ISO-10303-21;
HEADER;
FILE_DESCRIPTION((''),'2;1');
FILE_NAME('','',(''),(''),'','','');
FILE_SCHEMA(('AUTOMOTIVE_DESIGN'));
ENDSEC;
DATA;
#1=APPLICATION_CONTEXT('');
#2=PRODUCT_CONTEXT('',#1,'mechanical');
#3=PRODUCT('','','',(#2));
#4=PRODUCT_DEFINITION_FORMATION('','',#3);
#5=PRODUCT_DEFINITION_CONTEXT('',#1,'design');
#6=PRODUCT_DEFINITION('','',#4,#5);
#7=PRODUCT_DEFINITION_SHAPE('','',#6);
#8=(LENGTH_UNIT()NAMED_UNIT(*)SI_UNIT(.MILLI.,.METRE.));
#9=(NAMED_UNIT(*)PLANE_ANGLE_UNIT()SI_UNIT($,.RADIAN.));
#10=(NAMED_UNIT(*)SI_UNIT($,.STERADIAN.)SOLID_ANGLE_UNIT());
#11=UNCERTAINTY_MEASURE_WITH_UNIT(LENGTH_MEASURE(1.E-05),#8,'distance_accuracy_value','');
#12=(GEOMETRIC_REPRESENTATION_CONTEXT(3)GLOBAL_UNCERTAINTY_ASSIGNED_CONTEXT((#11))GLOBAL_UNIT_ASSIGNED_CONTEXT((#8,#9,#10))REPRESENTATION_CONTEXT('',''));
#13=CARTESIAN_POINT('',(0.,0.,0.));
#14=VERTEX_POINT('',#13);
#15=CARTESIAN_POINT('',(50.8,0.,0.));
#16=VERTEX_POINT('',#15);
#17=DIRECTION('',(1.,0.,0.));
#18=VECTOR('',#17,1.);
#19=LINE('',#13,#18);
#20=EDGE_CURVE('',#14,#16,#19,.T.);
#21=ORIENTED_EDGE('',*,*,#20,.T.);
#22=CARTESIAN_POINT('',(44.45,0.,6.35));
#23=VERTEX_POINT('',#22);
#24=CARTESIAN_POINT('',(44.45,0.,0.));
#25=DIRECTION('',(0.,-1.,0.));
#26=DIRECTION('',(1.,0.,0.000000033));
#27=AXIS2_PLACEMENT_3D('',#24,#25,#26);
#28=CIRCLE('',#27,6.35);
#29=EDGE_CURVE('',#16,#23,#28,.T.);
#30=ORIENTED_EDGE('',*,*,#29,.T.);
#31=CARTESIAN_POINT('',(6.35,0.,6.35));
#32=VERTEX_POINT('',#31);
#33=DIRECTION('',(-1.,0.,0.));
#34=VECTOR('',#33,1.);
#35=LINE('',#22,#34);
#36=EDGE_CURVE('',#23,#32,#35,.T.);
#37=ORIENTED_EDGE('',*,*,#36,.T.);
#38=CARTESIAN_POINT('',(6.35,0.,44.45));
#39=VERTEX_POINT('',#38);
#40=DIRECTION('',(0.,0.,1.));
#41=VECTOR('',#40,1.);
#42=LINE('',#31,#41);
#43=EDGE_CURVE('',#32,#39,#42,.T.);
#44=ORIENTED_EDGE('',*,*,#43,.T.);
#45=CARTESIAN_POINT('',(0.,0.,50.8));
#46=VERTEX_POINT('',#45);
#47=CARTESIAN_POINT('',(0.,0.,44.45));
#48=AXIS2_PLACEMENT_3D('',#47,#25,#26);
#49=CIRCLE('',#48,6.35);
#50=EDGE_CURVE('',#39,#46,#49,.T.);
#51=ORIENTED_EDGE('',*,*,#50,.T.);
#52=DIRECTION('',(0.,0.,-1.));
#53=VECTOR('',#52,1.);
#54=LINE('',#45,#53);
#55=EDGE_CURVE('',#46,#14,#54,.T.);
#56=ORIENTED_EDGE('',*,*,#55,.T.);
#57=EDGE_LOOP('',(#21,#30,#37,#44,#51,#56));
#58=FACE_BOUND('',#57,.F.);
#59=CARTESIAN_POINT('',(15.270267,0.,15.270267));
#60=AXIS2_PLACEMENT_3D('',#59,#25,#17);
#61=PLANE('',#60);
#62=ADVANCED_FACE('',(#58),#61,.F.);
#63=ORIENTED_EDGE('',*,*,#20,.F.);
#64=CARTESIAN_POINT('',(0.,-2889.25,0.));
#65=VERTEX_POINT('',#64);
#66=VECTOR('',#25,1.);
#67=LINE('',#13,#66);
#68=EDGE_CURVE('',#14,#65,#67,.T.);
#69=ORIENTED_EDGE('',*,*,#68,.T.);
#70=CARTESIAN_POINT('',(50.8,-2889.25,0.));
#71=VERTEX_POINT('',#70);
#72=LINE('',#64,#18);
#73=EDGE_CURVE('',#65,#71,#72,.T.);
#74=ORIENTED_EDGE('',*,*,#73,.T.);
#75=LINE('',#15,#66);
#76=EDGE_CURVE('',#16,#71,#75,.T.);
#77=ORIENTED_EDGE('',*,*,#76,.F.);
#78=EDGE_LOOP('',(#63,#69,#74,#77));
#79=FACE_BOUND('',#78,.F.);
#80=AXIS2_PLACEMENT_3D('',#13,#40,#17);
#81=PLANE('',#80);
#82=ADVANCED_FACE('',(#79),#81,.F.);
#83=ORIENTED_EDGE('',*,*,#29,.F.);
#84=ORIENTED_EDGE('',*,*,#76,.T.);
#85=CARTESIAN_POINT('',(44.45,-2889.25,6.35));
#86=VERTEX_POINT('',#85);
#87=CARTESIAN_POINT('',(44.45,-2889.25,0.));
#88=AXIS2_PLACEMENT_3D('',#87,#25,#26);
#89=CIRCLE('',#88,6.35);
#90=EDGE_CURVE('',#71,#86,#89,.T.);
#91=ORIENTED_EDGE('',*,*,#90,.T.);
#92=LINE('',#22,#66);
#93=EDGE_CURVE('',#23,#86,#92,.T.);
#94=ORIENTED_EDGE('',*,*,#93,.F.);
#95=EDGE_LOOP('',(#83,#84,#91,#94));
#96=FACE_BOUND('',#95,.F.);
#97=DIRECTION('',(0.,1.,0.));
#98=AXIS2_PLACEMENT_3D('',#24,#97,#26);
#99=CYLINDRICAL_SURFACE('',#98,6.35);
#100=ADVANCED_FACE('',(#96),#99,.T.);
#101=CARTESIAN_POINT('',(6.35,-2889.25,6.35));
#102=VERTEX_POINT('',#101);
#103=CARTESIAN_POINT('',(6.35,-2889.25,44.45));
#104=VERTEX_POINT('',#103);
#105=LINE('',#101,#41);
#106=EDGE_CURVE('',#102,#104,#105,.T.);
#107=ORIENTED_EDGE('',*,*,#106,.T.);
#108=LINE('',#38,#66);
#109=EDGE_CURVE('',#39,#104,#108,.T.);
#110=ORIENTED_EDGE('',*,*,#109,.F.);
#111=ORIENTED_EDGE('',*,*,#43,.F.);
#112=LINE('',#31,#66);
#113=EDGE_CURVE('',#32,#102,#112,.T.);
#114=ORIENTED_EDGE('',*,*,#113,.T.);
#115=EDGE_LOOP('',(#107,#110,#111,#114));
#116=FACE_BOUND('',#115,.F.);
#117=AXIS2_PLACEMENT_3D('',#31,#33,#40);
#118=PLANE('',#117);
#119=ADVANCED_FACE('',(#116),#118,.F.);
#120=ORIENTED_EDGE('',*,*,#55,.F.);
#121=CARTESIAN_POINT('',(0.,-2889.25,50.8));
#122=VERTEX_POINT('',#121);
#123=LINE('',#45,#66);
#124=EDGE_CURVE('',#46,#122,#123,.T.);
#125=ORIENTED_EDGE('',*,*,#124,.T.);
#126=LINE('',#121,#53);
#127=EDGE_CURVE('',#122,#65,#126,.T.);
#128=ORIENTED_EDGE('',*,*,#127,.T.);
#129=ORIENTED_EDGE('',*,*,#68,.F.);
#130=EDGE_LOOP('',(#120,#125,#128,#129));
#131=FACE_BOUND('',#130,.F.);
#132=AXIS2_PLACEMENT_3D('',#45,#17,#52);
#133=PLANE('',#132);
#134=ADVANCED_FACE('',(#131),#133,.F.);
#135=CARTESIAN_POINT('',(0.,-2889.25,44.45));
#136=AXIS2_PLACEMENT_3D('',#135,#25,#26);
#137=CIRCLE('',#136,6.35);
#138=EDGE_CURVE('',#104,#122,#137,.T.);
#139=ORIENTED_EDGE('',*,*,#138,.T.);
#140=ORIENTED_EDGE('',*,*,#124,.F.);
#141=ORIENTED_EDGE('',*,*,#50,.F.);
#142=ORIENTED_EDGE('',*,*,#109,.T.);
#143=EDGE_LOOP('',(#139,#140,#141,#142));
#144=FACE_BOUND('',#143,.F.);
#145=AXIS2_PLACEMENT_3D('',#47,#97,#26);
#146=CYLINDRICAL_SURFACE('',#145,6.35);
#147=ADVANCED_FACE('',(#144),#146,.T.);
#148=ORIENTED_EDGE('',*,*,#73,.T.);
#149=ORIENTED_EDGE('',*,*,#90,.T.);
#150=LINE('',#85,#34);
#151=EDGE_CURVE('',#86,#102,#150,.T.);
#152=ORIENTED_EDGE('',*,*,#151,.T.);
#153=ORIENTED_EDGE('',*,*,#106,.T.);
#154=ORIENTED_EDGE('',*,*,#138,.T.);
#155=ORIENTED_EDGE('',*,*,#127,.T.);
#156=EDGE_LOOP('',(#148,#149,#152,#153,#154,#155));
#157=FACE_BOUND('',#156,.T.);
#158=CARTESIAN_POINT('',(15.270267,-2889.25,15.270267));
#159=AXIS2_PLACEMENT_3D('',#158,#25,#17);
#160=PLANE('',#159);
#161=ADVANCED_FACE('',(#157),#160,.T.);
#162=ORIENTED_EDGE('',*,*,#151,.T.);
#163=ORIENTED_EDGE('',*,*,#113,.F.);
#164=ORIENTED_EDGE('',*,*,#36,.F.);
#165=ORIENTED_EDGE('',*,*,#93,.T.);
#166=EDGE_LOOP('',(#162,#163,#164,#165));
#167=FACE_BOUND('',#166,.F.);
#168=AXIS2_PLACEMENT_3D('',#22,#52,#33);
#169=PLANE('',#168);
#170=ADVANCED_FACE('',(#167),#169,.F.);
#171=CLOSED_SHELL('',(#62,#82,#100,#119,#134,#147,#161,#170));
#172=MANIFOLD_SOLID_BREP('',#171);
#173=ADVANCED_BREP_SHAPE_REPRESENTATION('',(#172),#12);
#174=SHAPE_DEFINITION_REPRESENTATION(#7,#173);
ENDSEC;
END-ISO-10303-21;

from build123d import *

# Parameters (mm, degrees)
F1_DEPTH = 2889.25


with BuildPart() as f1:
    # F0 (on Front) → F1 (new body)
    with BuildSketch(Plane.XZ):
        with BuildLine():
            Line((0, 50.8), (0, 0))
            Line((0, 0), (50.8, 0))
            ThreePointArc((50.8, 0), (48.940128, 4.490128), (44.45, 6.35))
            Line((44.45, 6.35), (6.35, 6.35))
            Line((6.35, 6.35), (6.35, 44.45))
            ThreePointArc((6.35, 44.45), (4.490128, 48.940128), (0, 50.8))
        make_face()
    extrude(amount=F1_DEPTH)


solid = f1.part
